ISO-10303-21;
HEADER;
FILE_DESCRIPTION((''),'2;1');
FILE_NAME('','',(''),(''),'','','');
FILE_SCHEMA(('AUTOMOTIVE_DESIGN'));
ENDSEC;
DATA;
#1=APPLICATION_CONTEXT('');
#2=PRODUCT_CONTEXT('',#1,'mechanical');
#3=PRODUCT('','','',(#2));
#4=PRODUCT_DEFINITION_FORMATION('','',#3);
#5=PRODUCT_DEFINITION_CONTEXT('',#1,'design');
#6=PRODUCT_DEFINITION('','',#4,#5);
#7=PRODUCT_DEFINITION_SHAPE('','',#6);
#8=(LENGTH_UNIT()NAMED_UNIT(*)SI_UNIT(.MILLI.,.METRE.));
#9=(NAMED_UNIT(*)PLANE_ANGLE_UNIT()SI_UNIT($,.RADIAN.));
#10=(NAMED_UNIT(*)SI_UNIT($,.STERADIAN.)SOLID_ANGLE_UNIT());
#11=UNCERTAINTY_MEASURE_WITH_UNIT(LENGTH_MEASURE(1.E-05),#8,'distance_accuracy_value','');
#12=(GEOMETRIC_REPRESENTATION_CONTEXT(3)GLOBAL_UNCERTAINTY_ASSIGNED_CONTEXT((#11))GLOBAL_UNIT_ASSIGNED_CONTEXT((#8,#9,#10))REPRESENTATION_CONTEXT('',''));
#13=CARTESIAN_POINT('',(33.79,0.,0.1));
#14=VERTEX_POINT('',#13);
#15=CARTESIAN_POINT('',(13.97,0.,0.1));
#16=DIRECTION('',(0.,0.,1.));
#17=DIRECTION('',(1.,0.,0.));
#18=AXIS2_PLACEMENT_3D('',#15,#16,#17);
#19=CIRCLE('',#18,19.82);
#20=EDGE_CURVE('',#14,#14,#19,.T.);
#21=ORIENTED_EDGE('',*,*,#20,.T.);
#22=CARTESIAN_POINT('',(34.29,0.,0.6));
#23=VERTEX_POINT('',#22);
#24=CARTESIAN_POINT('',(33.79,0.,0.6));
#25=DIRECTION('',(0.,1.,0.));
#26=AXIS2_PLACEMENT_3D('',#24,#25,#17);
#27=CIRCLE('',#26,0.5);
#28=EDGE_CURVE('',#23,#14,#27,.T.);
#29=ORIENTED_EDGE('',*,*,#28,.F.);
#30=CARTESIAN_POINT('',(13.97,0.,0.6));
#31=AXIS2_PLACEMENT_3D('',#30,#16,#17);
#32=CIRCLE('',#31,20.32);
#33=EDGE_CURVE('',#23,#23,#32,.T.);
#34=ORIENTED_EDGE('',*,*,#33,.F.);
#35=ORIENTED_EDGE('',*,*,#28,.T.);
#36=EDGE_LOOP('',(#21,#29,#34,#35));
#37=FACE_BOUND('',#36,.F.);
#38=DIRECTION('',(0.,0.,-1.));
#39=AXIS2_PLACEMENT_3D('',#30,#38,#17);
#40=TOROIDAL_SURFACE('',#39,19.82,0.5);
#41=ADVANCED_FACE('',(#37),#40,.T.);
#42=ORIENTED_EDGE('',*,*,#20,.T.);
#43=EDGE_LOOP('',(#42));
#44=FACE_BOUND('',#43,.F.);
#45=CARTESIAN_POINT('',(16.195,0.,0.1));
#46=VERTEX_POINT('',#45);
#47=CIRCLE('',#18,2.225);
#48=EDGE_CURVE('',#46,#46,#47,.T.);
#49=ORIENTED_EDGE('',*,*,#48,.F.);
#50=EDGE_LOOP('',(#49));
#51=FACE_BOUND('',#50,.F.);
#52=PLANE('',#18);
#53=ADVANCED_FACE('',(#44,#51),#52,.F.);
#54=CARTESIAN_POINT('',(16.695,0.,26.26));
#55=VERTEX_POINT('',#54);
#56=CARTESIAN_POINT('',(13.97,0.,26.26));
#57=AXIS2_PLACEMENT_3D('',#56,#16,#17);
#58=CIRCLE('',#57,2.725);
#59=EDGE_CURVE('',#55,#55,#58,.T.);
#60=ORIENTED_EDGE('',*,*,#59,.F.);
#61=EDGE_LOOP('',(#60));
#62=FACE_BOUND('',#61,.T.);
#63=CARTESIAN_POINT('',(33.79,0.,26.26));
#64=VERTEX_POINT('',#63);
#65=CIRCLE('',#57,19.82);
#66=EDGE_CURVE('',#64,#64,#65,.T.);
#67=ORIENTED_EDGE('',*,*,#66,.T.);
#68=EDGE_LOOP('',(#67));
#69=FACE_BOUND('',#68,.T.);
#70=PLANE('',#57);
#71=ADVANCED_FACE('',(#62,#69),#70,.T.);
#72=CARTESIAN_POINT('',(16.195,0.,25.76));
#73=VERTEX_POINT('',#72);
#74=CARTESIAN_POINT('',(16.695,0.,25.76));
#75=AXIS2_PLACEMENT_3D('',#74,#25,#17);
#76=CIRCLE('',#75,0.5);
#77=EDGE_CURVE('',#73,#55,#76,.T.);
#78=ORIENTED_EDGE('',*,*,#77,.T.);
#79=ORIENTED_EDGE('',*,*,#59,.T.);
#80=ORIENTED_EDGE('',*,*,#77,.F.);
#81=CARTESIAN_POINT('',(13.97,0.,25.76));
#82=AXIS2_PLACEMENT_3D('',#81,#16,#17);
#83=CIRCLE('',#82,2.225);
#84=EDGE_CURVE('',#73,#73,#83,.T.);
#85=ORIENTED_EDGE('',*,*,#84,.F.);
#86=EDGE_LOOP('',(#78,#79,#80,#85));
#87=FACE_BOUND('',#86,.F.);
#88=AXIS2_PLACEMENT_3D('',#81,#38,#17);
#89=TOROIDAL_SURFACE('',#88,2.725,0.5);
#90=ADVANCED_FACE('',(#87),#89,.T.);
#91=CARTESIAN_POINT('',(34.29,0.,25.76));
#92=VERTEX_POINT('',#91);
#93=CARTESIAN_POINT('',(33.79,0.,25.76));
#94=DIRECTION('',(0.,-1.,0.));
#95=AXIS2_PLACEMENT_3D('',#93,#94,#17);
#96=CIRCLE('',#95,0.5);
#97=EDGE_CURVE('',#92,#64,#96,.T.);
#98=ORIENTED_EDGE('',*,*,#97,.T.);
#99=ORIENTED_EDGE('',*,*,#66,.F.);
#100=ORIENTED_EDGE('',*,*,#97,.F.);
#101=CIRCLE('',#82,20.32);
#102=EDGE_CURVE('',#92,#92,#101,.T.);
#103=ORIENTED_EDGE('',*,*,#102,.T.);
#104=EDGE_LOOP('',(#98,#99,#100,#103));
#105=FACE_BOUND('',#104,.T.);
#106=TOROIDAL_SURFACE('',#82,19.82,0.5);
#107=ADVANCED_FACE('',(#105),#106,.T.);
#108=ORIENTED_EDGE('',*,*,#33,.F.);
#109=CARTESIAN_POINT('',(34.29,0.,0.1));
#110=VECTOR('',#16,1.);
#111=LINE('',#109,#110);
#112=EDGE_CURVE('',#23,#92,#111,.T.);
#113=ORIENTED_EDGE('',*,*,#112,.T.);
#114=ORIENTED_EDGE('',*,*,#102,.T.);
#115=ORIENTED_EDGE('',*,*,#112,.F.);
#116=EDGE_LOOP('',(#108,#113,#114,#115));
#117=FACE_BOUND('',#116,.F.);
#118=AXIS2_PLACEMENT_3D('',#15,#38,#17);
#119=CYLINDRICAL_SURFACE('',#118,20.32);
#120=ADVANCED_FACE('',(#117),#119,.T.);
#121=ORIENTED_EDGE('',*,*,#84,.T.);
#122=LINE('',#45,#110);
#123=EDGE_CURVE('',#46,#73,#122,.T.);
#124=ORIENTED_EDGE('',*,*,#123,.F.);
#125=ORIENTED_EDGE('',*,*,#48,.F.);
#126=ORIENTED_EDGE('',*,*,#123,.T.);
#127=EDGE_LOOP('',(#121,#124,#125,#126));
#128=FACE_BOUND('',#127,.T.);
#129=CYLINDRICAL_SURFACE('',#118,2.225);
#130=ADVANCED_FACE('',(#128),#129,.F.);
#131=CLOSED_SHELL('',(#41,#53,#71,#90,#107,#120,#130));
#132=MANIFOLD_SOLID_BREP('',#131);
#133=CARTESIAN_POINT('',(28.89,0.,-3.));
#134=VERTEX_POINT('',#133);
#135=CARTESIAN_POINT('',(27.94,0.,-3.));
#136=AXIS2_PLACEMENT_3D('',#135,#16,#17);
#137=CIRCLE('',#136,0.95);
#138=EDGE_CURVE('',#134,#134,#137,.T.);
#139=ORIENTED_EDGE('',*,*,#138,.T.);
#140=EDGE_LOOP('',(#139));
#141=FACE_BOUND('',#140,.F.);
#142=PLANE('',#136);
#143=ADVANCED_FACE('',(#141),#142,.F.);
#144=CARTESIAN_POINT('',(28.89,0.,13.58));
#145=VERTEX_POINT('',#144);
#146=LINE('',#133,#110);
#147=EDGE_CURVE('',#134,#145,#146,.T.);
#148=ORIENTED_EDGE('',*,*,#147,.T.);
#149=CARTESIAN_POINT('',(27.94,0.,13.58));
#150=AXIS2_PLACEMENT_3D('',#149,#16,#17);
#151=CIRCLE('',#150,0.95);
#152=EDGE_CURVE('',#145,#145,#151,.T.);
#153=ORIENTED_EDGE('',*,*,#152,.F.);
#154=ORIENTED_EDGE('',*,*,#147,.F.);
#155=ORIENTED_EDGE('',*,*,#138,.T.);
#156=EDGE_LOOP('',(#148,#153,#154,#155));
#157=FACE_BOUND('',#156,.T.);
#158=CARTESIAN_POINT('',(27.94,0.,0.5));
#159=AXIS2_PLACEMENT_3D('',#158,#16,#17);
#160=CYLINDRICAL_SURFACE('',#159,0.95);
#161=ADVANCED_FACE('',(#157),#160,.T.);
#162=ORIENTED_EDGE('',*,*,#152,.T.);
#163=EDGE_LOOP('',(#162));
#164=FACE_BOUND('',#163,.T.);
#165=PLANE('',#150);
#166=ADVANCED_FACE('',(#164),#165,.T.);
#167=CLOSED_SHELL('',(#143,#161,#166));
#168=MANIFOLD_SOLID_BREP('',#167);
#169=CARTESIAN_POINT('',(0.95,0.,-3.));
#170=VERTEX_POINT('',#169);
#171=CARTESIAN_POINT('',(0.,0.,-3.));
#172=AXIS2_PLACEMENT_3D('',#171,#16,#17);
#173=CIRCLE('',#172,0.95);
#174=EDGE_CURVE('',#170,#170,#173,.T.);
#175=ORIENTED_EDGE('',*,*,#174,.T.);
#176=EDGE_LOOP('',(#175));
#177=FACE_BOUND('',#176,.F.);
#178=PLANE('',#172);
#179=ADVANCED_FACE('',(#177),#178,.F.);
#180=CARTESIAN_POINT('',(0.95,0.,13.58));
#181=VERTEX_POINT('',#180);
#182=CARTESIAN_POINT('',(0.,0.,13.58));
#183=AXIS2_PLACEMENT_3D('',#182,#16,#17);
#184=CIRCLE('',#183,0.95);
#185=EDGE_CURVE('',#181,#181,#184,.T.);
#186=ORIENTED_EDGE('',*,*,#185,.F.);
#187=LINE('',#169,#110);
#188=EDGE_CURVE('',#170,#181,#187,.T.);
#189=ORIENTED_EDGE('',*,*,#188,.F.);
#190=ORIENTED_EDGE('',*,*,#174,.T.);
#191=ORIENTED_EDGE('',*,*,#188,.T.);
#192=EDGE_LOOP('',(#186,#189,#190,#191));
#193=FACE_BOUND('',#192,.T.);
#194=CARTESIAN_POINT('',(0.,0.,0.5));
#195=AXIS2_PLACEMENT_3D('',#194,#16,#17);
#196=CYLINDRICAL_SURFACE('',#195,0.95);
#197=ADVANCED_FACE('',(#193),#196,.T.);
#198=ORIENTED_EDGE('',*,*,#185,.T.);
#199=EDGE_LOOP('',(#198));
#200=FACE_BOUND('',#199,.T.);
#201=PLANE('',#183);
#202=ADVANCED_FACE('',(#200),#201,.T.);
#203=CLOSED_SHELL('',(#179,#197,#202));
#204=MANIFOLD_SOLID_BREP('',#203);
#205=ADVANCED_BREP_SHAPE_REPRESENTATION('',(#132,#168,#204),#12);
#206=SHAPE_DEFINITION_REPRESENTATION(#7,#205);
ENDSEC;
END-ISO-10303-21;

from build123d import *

# Parameters (mm, degrees)
SKETCH001_R       = 0.95
PAD001_DEPTH      = 13.08
PAD001_DEPTH_BACK = 3.5
SKETCH_R          = 20.32
SKETCH_R_2        = 2.225
PAD_DEPTH         = 26.16
FILLET_R          = 0.5


with BuildPart() as pad001:
    # Sketch001 → Pad001 (new body, two sides)
    with BuildSketch(Plane.XY.offset(0.5)) as pad001_sk:
        Circle(SKETCH001_R)
        with Locations((27.94, 0)):
            Circle(SKETCH001_R)
    extrude(amount=PAD001_DEPTH)
    extrude(pad001_sk.sketch, amount=-PAD001_DEPTH_BACK)


with BuildPart() as fillet_body:
    # Sketch → Pad (new body)
    with BuildSketch(Plane.XY.offset(0.1)):
        with Locations((13.97, 0)):
            Circle(SKETCH_R)
        with Locations((13.97, 0)):
            Circle(SKETCH_R_2, mode=Mode.SUBTRACT)
    extrude(amount=PAD_DEPTH)

    # Fillet
    fillet_edges = [fillet_body.edges().sort_by_distance(p)[0] for p in [
        (11.745, 0, 26.26),
        (-6.35, 0, 26.26),
        (-6.35, 0, 0.1),
    ]]
    fillet(fillet_edges, radius=FILLET_R)


solid = Compound([pad001.part, fillet_body.part])
